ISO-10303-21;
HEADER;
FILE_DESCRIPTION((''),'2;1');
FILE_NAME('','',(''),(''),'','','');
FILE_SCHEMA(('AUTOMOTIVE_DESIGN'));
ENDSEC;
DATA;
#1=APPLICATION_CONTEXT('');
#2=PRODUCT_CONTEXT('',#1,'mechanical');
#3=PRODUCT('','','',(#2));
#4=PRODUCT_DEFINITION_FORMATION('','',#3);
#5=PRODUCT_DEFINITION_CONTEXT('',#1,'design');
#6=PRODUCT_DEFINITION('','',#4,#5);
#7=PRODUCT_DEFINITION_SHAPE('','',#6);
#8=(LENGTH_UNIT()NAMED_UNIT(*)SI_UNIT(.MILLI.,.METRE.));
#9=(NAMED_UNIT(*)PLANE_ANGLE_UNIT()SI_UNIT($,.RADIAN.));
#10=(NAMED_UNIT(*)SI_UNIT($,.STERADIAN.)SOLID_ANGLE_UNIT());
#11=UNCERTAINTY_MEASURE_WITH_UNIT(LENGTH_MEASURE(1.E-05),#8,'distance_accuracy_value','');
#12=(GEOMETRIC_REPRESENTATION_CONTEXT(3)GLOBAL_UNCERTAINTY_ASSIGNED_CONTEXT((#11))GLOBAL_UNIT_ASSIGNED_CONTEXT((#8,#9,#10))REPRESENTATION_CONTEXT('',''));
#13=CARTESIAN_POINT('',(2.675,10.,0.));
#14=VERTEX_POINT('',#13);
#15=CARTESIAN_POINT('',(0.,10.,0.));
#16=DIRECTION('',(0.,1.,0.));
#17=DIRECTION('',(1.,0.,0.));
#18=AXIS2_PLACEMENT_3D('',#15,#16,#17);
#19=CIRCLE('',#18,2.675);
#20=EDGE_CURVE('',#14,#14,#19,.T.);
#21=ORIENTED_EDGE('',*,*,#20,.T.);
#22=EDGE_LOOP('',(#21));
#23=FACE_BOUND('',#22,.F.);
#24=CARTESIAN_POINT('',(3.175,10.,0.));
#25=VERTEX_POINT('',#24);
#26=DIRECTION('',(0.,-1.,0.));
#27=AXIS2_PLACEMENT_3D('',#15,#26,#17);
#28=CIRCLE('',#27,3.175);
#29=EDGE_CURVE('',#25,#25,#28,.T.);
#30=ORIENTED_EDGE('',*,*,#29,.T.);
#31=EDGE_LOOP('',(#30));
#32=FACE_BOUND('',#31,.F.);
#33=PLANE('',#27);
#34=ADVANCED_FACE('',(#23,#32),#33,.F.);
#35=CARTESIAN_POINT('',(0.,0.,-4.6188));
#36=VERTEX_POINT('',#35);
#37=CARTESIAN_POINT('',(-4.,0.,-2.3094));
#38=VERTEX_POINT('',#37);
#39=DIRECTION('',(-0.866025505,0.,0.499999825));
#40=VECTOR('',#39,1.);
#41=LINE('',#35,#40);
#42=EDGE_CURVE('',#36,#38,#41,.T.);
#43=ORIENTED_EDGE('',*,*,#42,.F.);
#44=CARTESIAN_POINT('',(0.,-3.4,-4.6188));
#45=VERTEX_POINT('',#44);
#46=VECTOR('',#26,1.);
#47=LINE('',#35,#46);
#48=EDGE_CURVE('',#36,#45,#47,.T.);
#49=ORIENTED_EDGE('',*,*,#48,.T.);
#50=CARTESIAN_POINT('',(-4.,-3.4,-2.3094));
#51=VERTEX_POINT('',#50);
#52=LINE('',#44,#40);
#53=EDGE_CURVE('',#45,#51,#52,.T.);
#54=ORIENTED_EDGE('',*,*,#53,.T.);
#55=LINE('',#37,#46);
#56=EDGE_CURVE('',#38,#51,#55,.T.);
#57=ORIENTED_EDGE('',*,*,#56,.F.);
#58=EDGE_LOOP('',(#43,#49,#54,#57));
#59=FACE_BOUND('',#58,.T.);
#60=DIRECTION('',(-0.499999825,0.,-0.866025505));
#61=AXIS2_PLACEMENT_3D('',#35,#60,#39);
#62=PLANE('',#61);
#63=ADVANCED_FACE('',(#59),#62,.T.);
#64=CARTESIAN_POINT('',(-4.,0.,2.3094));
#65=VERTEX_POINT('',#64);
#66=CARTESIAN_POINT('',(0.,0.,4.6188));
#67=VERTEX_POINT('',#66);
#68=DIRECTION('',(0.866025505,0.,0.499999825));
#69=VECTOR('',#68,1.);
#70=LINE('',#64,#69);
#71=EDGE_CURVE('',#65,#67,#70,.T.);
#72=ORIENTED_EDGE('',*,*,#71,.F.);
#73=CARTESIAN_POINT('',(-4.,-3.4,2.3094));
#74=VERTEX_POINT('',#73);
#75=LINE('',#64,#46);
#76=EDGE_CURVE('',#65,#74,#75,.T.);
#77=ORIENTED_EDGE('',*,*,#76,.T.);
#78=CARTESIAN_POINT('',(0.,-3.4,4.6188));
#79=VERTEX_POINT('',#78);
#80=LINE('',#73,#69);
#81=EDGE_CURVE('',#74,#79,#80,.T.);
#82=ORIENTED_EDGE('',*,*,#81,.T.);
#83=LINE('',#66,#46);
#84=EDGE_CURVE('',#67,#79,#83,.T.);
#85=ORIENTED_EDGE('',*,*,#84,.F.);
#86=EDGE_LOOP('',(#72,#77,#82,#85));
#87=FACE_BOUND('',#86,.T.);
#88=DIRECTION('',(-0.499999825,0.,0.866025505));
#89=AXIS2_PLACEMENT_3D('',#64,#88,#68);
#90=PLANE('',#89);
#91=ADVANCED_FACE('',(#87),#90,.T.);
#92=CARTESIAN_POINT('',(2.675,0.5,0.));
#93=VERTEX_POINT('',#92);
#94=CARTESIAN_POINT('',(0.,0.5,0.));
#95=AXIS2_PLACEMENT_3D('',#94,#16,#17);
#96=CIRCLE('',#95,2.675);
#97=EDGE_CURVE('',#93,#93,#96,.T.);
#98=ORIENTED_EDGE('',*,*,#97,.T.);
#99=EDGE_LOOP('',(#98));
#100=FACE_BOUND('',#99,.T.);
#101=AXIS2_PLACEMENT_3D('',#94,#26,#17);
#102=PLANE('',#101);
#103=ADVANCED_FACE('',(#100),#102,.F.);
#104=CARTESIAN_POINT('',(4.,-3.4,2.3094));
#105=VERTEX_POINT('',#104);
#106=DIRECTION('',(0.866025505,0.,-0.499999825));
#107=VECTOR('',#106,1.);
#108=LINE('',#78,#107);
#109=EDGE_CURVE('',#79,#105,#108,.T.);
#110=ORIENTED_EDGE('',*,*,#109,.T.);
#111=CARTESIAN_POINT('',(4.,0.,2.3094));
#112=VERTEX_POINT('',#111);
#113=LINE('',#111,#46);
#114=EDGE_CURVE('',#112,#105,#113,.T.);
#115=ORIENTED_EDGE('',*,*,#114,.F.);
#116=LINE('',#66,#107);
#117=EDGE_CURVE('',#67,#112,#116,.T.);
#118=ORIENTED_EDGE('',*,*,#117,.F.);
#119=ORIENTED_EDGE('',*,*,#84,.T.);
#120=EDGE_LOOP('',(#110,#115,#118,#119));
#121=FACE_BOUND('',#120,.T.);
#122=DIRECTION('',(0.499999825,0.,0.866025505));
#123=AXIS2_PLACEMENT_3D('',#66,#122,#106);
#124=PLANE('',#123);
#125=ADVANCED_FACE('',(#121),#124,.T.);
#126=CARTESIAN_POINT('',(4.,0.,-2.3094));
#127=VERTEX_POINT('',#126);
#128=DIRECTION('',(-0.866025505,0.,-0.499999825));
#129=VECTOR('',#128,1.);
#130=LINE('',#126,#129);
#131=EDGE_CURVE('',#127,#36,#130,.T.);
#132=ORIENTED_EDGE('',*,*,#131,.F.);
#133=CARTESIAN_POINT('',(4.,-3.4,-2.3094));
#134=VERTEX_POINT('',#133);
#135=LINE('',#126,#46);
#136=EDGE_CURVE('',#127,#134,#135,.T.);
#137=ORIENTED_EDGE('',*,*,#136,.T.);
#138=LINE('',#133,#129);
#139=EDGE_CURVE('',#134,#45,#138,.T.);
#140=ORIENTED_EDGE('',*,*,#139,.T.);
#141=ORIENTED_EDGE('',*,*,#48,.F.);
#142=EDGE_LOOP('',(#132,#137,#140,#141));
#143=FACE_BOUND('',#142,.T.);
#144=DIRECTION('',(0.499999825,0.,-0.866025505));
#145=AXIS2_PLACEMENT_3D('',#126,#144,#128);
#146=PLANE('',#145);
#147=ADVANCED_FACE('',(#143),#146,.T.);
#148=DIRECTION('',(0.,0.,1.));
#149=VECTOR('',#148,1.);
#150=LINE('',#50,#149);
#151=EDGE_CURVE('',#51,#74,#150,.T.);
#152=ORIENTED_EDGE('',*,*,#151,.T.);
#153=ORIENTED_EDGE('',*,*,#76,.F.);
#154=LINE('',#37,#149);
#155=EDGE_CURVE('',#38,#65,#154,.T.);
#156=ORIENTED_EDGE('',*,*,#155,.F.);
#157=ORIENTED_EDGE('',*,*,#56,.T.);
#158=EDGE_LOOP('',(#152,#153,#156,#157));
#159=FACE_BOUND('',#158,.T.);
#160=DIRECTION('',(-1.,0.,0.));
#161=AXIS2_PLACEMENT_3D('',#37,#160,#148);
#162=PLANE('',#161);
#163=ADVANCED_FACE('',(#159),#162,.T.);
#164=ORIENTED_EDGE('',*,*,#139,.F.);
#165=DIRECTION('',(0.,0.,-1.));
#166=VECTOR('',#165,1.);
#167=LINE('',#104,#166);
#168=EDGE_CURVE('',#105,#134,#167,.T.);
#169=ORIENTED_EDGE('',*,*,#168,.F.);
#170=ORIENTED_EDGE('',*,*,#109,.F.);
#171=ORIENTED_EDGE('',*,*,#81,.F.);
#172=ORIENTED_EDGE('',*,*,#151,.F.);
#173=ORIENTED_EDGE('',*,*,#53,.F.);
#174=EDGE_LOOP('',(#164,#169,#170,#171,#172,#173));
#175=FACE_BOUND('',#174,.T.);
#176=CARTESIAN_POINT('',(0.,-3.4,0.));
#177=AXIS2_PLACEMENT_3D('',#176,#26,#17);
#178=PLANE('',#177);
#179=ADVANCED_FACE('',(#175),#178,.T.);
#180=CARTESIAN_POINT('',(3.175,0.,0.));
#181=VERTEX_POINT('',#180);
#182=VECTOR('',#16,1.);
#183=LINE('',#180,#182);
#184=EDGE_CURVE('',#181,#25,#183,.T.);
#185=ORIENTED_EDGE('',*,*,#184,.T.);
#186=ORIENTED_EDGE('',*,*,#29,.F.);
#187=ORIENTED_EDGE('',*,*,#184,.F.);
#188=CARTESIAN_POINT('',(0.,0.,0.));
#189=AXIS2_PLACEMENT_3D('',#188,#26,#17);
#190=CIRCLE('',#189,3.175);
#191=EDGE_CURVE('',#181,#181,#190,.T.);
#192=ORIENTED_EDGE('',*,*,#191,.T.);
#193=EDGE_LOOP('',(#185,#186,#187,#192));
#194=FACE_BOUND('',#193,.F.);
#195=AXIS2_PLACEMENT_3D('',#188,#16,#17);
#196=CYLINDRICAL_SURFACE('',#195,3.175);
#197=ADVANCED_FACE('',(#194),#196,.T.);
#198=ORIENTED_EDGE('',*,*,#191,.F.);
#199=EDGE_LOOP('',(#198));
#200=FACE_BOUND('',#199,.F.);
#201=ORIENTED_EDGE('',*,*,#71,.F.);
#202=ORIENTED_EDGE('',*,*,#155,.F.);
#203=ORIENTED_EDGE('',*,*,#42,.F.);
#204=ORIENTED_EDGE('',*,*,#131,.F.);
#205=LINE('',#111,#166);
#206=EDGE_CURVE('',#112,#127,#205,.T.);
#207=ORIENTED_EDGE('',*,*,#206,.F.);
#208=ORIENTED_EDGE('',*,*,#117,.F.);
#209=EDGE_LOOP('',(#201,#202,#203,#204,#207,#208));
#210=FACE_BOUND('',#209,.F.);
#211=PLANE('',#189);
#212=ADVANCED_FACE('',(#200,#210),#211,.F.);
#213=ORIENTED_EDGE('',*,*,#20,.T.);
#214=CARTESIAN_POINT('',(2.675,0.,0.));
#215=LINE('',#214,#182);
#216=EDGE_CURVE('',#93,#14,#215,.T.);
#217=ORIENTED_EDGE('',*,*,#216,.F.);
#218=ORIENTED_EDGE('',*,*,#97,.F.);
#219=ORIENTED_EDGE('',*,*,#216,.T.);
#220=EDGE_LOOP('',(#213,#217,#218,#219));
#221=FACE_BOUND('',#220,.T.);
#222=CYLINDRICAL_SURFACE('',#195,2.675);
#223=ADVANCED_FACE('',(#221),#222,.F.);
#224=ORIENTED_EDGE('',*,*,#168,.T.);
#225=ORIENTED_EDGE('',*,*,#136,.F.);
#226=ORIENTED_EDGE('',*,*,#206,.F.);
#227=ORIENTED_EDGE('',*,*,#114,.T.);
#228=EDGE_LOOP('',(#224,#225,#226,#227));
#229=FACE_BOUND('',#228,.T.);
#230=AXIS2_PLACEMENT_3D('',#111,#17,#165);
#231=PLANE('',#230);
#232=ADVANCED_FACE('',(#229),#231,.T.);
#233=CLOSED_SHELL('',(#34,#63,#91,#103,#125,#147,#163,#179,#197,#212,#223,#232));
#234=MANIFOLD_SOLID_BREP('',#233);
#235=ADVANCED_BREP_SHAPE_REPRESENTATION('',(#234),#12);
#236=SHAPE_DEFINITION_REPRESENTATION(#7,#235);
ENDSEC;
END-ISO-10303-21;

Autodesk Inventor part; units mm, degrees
ref_plane "YZ Plane" through (0, 0, 0) normal (1, 0, 0) x (0, 1, 0)
ref_plane "XZ Plane" through (0, 0, 0) normal (0, 1, 0) x (-1, 0, 0)
ref_plane "XY Plane" through (0, 0, 0) normal (0, 0, 1) x (1, 0, 0)
sketch "Sketch1" plane through (0, 0, 0) normal (0, 0, 1) x (1, 0, 0)
  line L0 (0, 0) -> (3.175, 0)
  line L1 (3.175, 0) -> (3.175, 10)
  line L2 (3.175, 10) -> (0, 10)
  line L3 (0, 10) -> (0, 0)
  dimension "d0" = 3.175
  dimension "d1" = 10
revolve "Revolution1" add sketch "Sketch1" angle 360 about axis through (0, 10, 0) along (0, -1, 0)
shell "Shell1" thickness 0.5 removed faces 1 at (0.8826, 10, -0.0433)
thread "Thread1" size "1/4-36 UNS" class "2A" standard "ANSI Unified Screw Threads" full length
sketch "Sketch2" plane through (0, 0, 0) normal (0, -1, 0) x (1, 0, 0)
  line L0 (0, 4.6188) -> (4, 2.3094)
  line L1 (4, 2.3094) -> (4, -2.3094)
  line L2 (4, -2.3094) -> (0, -4.6188)
  line L3 (0, -4.6188) -> (-4, -2.3094)
  line L4 (-4, -2.3094) -> (-4, 2.3094)
  line L5 (-4, 2.3094) -> (0, 4.6188)
  point P0 (0, 0)
  point P1 (0, 0)
  dimension "d6" = 8
extrude "Extrusion1" add sketch "Sketch2" along normal blind 3.4
properties part number "W9011M COAXIAL CONNECTOR"
